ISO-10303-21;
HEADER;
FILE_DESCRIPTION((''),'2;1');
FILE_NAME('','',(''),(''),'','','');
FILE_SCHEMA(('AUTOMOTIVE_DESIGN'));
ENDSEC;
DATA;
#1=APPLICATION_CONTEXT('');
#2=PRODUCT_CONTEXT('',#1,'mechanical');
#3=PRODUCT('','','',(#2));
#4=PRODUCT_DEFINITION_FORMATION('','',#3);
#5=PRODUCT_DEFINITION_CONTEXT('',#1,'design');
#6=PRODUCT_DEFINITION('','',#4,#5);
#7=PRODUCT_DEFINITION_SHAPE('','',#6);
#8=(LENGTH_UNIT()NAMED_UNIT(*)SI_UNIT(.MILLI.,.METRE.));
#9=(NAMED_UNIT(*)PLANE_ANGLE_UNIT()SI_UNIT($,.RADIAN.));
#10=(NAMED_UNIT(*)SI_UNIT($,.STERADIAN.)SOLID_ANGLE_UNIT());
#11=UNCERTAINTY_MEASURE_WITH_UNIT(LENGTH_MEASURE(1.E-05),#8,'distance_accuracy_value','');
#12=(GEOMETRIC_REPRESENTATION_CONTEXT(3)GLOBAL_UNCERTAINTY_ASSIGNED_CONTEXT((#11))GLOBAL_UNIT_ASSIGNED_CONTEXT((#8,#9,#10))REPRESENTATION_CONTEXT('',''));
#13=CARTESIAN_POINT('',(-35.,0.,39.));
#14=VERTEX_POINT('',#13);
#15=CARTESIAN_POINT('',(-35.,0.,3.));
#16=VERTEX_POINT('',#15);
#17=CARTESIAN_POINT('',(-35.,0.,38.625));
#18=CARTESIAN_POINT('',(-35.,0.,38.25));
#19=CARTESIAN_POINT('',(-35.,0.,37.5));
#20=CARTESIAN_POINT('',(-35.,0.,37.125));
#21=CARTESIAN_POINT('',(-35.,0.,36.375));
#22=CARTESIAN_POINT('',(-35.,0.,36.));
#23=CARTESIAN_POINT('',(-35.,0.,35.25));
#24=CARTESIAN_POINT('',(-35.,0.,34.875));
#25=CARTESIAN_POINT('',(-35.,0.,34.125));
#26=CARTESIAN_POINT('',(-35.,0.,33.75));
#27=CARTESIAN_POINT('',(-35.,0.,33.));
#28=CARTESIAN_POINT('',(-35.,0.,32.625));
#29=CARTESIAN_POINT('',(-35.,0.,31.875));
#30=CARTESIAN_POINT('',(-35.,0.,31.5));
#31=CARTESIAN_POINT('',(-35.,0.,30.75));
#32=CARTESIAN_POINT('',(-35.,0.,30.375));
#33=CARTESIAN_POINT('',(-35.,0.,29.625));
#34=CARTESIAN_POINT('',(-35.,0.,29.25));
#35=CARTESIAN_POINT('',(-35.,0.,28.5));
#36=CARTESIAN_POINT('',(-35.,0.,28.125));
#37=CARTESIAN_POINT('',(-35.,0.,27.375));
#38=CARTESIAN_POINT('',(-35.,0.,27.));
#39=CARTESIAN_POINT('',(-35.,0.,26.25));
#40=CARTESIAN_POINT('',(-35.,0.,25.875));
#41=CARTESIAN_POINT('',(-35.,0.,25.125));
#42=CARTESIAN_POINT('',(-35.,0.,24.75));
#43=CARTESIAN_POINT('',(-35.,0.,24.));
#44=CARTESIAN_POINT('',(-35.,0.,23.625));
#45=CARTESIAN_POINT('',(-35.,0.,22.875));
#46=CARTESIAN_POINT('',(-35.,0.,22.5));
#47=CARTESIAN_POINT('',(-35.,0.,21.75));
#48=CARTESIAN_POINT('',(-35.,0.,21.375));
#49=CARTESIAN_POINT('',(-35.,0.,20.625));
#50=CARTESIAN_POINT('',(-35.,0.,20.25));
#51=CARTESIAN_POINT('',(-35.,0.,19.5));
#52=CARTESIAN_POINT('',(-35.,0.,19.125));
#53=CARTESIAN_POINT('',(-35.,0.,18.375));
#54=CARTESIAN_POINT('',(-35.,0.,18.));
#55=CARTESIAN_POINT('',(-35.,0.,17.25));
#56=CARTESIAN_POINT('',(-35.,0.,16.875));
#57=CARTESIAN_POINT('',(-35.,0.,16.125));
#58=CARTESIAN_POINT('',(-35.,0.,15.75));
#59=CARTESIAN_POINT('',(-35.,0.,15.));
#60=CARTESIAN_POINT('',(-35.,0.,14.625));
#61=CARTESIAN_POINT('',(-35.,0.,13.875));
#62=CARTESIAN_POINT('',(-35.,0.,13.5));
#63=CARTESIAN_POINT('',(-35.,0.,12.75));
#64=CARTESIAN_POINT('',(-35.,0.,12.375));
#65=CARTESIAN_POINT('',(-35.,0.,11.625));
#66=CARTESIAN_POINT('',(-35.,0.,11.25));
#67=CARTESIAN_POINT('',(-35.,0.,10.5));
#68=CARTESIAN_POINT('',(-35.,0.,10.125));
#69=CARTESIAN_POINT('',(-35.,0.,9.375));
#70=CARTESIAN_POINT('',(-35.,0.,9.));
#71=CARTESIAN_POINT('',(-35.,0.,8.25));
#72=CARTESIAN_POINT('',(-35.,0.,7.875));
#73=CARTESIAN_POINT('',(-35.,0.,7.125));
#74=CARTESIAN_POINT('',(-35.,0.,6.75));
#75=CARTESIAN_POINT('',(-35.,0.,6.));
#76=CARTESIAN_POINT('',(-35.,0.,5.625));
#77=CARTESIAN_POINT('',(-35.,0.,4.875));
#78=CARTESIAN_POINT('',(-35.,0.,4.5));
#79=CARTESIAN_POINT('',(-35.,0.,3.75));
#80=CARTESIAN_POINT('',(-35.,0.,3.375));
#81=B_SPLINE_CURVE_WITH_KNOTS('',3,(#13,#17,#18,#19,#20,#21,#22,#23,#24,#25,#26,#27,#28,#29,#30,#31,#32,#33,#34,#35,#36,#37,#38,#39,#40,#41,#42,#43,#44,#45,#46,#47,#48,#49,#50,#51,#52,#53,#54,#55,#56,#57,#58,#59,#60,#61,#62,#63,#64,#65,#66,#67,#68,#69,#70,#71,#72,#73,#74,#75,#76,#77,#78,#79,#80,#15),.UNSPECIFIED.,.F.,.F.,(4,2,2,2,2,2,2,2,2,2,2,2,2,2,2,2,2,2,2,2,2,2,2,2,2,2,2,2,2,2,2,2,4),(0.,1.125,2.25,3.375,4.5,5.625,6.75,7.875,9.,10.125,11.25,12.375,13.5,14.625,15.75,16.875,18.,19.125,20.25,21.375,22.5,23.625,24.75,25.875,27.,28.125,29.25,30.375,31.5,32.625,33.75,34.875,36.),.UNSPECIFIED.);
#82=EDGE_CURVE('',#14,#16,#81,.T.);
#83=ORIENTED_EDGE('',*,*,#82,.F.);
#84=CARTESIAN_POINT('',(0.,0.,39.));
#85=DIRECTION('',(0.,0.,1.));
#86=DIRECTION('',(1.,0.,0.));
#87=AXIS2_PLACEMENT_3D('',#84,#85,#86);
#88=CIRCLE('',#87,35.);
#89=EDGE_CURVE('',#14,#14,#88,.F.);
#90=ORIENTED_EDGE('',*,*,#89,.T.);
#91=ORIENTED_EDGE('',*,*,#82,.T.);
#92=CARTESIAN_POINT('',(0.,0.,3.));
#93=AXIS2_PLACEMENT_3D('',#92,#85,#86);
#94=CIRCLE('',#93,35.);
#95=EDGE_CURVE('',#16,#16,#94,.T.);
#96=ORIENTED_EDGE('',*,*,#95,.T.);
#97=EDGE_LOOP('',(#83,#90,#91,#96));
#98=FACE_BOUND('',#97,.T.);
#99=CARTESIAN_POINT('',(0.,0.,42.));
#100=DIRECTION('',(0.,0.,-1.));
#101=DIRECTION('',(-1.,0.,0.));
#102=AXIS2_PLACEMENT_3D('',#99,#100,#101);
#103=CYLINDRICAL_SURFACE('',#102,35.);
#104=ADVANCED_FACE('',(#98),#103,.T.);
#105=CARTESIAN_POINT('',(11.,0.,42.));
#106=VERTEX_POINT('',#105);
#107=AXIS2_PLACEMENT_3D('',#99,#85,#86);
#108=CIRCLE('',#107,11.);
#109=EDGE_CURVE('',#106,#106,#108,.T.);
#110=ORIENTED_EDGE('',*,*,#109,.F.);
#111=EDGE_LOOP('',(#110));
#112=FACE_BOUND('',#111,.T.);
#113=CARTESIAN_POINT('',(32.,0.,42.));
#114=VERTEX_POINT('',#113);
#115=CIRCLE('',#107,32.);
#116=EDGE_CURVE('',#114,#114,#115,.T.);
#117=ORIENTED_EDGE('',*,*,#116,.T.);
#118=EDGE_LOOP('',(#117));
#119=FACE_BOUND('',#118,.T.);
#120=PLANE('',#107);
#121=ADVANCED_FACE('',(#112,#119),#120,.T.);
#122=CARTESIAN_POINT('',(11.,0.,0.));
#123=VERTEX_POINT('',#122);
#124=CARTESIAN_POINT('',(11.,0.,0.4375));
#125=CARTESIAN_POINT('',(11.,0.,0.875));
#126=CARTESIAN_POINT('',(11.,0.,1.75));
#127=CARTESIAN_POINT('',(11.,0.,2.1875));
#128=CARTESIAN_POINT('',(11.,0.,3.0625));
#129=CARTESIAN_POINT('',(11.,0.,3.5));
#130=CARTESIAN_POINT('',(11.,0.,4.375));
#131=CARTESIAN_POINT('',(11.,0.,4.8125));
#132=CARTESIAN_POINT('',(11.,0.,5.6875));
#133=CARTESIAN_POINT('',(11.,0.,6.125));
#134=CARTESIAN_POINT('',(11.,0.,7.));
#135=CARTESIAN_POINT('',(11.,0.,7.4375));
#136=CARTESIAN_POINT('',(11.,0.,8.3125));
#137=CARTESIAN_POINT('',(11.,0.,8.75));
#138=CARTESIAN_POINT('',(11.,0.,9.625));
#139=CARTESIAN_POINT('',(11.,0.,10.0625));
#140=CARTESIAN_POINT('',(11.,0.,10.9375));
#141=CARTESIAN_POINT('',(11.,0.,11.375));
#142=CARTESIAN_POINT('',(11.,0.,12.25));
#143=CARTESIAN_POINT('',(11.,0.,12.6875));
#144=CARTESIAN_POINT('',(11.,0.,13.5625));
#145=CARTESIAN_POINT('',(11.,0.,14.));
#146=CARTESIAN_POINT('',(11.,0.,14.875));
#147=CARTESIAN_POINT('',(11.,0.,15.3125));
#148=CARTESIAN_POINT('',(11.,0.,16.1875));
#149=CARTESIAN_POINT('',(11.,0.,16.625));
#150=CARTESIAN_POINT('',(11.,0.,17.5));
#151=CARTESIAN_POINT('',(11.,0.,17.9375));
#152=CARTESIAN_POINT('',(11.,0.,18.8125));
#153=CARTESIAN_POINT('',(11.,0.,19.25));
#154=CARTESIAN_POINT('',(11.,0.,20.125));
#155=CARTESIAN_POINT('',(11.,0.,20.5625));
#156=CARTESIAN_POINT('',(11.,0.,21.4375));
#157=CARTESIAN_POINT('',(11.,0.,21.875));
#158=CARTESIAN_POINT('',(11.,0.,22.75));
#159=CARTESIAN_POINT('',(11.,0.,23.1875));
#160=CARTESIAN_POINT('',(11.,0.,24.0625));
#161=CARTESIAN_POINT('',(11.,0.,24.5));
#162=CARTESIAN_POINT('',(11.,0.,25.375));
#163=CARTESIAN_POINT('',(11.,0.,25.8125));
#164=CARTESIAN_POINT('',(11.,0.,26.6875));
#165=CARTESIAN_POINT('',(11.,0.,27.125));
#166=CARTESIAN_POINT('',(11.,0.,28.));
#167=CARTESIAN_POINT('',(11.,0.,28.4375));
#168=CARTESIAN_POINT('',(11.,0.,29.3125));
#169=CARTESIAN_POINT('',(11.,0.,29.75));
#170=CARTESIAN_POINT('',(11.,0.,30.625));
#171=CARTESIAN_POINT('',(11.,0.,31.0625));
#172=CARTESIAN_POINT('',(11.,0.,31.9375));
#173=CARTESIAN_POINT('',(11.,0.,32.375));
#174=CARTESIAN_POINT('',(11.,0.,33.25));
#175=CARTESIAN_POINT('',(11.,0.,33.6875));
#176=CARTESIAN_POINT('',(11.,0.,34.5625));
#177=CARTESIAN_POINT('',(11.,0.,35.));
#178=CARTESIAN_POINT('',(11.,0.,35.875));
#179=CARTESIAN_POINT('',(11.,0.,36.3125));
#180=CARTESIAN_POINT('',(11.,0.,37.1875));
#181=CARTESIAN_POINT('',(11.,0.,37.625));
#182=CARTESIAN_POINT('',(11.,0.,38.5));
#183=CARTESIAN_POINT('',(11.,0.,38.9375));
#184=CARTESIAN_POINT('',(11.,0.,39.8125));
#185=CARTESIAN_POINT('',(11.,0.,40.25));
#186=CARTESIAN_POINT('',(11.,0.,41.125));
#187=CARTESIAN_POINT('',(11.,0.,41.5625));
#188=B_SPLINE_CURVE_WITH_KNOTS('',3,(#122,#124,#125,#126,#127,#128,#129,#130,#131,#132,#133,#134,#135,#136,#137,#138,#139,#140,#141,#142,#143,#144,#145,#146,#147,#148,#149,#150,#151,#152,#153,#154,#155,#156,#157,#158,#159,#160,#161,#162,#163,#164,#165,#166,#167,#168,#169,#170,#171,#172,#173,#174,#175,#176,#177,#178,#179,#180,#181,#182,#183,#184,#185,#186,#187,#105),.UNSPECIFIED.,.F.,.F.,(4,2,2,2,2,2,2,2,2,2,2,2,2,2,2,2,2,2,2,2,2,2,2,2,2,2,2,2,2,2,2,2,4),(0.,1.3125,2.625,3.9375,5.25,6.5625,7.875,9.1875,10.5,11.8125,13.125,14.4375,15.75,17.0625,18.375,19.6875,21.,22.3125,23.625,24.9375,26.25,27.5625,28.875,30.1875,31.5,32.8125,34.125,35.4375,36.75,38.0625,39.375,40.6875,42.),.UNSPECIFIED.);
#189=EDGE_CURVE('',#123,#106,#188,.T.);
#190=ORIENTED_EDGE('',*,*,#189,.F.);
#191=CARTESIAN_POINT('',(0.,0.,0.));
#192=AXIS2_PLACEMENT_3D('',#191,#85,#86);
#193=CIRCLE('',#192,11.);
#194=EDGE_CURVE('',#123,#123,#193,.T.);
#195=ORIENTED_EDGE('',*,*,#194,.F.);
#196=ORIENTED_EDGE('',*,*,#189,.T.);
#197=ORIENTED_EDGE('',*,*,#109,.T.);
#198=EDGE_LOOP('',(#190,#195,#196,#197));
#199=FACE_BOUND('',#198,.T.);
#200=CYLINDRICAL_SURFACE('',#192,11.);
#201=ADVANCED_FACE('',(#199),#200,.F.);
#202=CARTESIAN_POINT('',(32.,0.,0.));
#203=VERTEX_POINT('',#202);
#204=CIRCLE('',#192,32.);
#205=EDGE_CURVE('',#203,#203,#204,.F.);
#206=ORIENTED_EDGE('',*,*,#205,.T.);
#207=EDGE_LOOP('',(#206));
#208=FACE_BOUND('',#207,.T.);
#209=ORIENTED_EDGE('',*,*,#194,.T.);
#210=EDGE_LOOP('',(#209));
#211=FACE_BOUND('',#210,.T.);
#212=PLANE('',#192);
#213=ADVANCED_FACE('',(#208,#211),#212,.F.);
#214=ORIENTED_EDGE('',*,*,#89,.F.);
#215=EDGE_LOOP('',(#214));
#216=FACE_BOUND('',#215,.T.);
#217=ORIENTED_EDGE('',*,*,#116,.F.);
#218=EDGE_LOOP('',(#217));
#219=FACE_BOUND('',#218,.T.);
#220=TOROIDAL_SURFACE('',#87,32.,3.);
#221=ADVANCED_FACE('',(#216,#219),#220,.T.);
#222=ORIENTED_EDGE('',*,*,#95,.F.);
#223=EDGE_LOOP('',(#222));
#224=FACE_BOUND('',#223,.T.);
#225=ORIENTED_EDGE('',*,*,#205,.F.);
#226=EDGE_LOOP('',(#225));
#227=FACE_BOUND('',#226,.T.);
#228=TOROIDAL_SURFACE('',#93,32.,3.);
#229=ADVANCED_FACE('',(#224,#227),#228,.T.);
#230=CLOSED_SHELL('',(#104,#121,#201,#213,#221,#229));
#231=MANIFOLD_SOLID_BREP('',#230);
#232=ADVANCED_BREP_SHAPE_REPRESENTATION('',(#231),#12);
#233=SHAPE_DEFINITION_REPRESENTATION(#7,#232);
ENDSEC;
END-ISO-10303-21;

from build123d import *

# Parameters (mm, degrees)
SKETCH1_R           = 35
BOSS_EXTRUDE1_DEPTH = 42
FILLET1_R           = 3
SKETCH2_R           = 11
CUT_EXTRUDE1_DEPTH  = 65.915329522


with BuildPart() as part:
    # Sketch1 → Boss-Extrude1 (new body)
    with BuildSketch(Plane.XY):
        with Locations(Location((0, 0, 0), (0, 0, 180))):
            Circle(SKETCH1_R)
    extrude(amount=BOSS_EXTRUDE1_DEPTH)

    # Fillet1
    fillet1_edges = [part.edges().sort_by_distance(p)[0] for p in [
        (35, 0, 0),
        (35, 0, 42),
    ]]
    fillet(fillet1_edges, radius=FILLET1_R)

    # Sketch2 → Cut-Extrude1 (cut, through all)
    with BuildSketch(Plane.XY.offset(42)):
        Circle(SKETCH2_R)
    extrude(amount=-CUT_EXTRUDE1_DEPTH, mode=Mode.SUBTRACT)


solid = part.part
